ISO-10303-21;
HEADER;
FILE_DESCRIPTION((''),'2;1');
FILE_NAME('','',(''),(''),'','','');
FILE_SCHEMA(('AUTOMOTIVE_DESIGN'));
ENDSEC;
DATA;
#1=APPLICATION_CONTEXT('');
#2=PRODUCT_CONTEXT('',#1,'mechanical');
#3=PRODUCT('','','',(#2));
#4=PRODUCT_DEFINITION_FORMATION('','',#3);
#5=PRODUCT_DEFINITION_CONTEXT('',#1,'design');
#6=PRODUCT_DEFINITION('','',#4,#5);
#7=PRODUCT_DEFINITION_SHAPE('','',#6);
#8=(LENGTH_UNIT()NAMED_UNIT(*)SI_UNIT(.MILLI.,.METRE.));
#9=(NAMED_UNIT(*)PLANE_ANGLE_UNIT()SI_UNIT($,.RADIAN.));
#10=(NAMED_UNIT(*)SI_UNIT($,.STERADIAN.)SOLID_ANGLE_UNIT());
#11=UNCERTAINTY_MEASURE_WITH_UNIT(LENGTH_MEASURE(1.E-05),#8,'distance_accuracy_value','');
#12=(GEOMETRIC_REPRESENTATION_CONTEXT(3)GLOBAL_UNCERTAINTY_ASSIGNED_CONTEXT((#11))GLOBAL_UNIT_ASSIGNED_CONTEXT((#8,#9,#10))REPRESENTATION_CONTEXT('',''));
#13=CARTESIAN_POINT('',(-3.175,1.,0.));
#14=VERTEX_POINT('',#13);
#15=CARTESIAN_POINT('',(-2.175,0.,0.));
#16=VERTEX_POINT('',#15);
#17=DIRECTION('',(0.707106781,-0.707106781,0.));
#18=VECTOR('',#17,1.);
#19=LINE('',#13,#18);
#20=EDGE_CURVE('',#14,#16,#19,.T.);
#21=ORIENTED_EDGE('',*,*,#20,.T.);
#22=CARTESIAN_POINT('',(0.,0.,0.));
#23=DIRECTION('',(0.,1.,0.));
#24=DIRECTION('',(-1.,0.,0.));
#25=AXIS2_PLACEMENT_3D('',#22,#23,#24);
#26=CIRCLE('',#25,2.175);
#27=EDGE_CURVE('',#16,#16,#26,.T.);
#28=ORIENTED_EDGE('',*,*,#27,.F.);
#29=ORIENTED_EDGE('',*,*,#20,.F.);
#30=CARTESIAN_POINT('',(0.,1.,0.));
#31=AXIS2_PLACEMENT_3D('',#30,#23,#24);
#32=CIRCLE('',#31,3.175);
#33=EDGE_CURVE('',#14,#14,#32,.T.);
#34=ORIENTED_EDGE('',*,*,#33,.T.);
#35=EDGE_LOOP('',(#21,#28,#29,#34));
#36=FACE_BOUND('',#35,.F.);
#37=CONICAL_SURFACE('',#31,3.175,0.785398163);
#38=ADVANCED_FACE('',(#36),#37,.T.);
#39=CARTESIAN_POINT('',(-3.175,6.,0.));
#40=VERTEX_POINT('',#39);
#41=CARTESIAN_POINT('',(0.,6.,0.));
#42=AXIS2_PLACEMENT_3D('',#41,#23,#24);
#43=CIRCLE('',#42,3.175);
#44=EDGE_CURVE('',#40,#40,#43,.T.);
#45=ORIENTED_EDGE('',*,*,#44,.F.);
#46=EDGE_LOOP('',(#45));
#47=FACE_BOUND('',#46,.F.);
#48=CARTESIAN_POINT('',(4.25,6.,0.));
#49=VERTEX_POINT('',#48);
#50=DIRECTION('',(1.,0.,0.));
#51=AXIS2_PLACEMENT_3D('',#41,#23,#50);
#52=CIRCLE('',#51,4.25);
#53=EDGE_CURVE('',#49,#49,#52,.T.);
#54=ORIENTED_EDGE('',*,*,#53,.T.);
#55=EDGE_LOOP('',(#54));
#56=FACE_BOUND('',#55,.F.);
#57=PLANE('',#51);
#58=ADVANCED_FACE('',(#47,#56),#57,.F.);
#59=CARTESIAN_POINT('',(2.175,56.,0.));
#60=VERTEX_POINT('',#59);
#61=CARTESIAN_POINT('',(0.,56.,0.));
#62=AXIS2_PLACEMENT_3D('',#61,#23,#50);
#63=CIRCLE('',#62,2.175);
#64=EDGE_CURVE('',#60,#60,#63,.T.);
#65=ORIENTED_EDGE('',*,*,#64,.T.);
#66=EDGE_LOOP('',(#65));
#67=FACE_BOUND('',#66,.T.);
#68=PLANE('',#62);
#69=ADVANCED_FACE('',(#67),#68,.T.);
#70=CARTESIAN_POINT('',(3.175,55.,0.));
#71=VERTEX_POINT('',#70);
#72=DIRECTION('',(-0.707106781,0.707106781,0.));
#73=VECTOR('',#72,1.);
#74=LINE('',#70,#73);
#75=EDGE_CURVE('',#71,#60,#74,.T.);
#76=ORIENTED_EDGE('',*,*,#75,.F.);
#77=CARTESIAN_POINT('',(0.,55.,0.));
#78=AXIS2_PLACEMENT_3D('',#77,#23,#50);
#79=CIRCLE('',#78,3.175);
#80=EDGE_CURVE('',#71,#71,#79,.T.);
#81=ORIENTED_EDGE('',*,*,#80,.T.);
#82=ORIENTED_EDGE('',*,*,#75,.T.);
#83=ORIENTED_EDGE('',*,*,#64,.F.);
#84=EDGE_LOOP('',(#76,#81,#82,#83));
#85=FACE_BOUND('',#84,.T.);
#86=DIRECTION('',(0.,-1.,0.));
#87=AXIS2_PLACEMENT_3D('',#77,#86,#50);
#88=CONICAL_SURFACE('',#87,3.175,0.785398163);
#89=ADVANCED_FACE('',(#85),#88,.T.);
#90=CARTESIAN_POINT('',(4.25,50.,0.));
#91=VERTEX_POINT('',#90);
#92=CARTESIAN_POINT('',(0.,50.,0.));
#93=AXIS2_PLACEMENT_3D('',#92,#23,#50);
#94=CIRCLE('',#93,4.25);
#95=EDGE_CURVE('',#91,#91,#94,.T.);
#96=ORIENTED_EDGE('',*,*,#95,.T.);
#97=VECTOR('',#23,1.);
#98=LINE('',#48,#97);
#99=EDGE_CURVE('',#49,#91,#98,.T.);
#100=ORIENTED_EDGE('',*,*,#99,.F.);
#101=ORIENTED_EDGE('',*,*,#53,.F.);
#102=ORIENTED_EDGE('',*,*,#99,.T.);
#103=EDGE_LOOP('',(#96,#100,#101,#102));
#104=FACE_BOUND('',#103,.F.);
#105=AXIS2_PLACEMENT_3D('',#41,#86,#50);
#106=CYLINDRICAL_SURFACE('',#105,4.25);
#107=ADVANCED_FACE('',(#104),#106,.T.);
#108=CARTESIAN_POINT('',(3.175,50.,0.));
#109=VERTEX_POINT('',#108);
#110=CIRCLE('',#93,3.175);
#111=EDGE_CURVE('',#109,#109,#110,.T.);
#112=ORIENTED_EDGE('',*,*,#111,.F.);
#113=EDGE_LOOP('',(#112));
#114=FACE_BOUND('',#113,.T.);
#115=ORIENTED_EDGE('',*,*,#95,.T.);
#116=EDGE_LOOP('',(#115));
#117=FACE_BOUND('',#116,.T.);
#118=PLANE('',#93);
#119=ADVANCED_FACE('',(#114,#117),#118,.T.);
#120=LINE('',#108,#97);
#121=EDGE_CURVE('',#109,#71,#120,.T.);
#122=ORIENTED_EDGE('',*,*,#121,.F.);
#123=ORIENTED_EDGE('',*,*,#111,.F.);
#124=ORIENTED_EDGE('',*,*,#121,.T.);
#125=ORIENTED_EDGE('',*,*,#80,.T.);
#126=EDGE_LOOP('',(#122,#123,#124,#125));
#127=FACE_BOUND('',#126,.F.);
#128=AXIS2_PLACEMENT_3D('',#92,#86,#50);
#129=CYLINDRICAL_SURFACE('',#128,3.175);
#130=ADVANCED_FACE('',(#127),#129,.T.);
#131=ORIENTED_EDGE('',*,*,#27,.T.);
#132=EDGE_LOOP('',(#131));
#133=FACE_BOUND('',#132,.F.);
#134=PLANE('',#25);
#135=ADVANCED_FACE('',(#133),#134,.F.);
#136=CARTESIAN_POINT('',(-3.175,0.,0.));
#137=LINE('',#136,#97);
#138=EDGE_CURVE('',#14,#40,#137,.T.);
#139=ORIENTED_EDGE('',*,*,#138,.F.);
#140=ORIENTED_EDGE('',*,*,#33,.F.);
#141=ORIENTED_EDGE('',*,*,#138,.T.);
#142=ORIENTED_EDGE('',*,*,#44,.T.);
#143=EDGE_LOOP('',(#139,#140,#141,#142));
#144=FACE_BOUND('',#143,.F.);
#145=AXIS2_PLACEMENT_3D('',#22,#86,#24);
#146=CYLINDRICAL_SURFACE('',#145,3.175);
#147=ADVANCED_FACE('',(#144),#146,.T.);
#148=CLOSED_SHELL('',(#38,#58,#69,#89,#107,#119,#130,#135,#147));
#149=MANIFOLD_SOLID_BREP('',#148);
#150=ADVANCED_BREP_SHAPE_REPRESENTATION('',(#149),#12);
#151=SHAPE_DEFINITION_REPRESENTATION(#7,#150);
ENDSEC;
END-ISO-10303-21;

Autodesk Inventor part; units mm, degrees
ref_plane "YZ Plane" through (0, 0, 0) normal (1, 0, 0) x (0, 1, 0)
ref_plane "XZ Plane" through (0, 0, 0) normal (0, 1, 0) x (-1, 0, 0)
ref_plane "XY Plane" through (0, 0, 0) normal (0, 0, 1) x (1, 0, 0)
sketch "Sketch1" plane through (0, 0, 0) normal (0, 1, 0) x (-1, 0, 0)
  circle A0 centre (0, 0) radius 3.175
  dimension "d0" = 6.35
extrude "Extrusion1" add sketch "Sketch1" along normal blind 6
sketch "Sketch2" plane through (0, 6, 0) normal (0, 1, 0) x (1, 0, 0)
  circle A0 centre (0, 0) radius 4.25
  dimension "d3" = 8.5
extrude "Extrusion2" add sketch "Sketch2" along normal blind 44
sketch "Sketch3" plane through (0, 50, 0) normal (0, 1, 0) x (1, 0, 0)
  circle A0 centre (0, 0) radius 3.175
  dimension "d6" = 6.35
extrude "Extrusion3" add sketch "Sketch3" along normal blind 6
chamfer "Chamfer1" distance 1 angle 45 1 edges at (3.175, 0, 0)
chamfer "Chamfer2" distance 1 angle 45 1 edges at (-3.175, 56, 0)
properties part number "Cannon_pin" material "Steel, High Strength, Low Alloy"
